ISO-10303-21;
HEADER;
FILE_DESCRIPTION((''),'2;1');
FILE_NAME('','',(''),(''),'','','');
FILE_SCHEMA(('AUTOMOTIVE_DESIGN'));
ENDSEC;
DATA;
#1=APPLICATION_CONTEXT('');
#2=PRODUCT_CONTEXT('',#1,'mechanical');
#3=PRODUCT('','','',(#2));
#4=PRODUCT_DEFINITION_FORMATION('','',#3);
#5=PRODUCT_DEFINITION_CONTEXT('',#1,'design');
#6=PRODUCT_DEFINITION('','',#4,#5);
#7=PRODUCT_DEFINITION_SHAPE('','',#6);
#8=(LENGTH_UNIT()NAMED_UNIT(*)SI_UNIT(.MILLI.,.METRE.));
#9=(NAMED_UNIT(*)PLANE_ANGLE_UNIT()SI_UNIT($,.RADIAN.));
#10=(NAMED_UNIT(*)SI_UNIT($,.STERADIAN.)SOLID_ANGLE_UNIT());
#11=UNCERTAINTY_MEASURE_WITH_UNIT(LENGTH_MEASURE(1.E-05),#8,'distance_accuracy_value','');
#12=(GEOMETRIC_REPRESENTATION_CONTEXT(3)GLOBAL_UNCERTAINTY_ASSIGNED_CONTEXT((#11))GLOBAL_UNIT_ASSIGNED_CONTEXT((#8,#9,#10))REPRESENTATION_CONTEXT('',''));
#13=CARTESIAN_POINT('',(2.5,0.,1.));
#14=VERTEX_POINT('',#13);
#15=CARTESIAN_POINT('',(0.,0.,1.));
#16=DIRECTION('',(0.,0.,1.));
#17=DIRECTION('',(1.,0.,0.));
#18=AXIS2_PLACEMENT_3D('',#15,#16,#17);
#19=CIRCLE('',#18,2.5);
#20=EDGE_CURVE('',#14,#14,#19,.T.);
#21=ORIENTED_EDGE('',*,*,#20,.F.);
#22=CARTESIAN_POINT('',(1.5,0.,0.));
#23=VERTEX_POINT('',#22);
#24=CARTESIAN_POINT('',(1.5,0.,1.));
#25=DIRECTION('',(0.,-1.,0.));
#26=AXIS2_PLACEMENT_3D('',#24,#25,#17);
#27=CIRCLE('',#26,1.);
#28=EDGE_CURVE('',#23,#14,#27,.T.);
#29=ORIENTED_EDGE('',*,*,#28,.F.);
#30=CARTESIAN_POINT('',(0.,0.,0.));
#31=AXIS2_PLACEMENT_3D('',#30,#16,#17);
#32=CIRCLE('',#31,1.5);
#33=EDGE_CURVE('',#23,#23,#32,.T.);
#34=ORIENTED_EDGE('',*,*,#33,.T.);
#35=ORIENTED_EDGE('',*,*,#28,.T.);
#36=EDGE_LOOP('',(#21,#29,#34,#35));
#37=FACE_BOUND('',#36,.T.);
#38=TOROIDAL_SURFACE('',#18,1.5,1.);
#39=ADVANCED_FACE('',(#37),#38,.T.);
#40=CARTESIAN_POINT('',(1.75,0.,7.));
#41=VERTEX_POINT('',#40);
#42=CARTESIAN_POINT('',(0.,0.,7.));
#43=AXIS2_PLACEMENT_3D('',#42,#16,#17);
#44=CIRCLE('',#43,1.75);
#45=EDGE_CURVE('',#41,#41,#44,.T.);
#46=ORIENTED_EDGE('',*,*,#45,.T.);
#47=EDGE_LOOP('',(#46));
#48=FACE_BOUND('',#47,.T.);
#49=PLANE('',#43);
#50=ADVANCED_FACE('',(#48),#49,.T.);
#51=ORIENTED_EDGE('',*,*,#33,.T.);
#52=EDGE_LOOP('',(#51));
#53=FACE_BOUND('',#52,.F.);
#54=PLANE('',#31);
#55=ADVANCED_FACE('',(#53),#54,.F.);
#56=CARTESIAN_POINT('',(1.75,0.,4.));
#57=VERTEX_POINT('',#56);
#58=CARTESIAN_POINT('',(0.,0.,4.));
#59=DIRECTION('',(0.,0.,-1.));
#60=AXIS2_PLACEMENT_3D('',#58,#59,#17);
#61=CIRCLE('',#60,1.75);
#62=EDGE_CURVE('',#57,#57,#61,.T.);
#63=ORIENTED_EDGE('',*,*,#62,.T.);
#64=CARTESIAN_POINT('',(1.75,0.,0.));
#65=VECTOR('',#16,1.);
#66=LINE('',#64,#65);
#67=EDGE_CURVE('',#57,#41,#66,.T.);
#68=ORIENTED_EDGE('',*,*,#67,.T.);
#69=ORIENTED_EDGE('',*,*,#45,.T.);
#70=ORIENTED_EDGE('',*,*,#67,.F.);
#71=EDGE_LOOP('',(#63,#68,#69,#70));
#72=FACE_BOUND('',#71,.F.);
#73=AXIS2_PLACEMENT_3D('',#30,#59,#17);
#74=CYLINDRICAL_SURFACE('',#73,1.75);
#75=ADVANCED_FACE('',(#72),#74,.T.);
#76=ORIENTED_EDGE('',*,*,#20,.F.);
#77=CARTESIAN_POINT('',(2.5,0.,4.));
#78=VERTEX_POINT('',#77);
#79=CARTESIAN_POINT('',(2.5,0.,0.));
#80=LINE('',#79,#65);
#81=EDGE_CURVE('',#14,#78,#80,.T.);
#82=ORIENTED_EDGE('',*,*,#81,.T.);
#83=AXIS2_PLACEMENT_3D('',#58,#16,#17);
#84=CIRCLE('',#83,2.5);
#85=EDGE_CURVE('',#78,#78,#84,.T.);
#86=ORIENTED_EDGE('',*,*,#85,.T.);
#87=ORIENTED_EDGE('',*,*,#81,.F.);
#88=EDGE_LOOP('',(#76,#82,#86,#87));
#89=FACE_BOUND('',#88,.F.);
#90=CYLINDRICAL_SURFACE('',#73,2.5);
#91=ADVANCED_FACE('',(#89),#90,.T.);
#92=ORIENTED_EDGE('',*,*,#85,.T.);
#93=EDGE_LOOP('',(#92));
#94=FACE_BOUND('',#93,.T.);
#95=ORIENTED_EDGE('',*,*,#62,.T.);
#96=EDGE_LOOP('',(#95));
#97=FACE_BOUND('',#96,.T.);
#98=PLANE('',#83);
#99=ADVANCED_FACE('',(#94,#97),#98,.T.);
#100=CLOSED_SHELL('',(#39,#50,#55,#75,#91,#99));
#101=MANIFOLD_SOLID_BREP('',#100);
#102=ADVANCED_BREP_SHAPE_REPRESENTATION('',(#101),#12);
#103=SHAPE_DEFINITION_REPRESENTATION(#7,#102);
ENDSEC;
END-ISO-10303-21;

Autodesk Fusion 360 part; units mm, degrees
sketch "Sketch1" plane through (0, 0, 0) normal (0, 0, 1) x (1, 0, 0)
  circle A0 centre (0, 0) radius 2.5
  circle A1 centre (0, 0) radius 1.75
  dimension "d1" = 5
  dimension "d2" = 3.5
extrude "Extrude1" add sketch "Sketch1" along normal blind 4 contours A0 | A1
extrude "Extrude2" add sketch "Sketch1" along normal blind 7 contours A1
fillet "Fillet1" radius 1 1 edges at (-2.3308, -0.904, 0)
